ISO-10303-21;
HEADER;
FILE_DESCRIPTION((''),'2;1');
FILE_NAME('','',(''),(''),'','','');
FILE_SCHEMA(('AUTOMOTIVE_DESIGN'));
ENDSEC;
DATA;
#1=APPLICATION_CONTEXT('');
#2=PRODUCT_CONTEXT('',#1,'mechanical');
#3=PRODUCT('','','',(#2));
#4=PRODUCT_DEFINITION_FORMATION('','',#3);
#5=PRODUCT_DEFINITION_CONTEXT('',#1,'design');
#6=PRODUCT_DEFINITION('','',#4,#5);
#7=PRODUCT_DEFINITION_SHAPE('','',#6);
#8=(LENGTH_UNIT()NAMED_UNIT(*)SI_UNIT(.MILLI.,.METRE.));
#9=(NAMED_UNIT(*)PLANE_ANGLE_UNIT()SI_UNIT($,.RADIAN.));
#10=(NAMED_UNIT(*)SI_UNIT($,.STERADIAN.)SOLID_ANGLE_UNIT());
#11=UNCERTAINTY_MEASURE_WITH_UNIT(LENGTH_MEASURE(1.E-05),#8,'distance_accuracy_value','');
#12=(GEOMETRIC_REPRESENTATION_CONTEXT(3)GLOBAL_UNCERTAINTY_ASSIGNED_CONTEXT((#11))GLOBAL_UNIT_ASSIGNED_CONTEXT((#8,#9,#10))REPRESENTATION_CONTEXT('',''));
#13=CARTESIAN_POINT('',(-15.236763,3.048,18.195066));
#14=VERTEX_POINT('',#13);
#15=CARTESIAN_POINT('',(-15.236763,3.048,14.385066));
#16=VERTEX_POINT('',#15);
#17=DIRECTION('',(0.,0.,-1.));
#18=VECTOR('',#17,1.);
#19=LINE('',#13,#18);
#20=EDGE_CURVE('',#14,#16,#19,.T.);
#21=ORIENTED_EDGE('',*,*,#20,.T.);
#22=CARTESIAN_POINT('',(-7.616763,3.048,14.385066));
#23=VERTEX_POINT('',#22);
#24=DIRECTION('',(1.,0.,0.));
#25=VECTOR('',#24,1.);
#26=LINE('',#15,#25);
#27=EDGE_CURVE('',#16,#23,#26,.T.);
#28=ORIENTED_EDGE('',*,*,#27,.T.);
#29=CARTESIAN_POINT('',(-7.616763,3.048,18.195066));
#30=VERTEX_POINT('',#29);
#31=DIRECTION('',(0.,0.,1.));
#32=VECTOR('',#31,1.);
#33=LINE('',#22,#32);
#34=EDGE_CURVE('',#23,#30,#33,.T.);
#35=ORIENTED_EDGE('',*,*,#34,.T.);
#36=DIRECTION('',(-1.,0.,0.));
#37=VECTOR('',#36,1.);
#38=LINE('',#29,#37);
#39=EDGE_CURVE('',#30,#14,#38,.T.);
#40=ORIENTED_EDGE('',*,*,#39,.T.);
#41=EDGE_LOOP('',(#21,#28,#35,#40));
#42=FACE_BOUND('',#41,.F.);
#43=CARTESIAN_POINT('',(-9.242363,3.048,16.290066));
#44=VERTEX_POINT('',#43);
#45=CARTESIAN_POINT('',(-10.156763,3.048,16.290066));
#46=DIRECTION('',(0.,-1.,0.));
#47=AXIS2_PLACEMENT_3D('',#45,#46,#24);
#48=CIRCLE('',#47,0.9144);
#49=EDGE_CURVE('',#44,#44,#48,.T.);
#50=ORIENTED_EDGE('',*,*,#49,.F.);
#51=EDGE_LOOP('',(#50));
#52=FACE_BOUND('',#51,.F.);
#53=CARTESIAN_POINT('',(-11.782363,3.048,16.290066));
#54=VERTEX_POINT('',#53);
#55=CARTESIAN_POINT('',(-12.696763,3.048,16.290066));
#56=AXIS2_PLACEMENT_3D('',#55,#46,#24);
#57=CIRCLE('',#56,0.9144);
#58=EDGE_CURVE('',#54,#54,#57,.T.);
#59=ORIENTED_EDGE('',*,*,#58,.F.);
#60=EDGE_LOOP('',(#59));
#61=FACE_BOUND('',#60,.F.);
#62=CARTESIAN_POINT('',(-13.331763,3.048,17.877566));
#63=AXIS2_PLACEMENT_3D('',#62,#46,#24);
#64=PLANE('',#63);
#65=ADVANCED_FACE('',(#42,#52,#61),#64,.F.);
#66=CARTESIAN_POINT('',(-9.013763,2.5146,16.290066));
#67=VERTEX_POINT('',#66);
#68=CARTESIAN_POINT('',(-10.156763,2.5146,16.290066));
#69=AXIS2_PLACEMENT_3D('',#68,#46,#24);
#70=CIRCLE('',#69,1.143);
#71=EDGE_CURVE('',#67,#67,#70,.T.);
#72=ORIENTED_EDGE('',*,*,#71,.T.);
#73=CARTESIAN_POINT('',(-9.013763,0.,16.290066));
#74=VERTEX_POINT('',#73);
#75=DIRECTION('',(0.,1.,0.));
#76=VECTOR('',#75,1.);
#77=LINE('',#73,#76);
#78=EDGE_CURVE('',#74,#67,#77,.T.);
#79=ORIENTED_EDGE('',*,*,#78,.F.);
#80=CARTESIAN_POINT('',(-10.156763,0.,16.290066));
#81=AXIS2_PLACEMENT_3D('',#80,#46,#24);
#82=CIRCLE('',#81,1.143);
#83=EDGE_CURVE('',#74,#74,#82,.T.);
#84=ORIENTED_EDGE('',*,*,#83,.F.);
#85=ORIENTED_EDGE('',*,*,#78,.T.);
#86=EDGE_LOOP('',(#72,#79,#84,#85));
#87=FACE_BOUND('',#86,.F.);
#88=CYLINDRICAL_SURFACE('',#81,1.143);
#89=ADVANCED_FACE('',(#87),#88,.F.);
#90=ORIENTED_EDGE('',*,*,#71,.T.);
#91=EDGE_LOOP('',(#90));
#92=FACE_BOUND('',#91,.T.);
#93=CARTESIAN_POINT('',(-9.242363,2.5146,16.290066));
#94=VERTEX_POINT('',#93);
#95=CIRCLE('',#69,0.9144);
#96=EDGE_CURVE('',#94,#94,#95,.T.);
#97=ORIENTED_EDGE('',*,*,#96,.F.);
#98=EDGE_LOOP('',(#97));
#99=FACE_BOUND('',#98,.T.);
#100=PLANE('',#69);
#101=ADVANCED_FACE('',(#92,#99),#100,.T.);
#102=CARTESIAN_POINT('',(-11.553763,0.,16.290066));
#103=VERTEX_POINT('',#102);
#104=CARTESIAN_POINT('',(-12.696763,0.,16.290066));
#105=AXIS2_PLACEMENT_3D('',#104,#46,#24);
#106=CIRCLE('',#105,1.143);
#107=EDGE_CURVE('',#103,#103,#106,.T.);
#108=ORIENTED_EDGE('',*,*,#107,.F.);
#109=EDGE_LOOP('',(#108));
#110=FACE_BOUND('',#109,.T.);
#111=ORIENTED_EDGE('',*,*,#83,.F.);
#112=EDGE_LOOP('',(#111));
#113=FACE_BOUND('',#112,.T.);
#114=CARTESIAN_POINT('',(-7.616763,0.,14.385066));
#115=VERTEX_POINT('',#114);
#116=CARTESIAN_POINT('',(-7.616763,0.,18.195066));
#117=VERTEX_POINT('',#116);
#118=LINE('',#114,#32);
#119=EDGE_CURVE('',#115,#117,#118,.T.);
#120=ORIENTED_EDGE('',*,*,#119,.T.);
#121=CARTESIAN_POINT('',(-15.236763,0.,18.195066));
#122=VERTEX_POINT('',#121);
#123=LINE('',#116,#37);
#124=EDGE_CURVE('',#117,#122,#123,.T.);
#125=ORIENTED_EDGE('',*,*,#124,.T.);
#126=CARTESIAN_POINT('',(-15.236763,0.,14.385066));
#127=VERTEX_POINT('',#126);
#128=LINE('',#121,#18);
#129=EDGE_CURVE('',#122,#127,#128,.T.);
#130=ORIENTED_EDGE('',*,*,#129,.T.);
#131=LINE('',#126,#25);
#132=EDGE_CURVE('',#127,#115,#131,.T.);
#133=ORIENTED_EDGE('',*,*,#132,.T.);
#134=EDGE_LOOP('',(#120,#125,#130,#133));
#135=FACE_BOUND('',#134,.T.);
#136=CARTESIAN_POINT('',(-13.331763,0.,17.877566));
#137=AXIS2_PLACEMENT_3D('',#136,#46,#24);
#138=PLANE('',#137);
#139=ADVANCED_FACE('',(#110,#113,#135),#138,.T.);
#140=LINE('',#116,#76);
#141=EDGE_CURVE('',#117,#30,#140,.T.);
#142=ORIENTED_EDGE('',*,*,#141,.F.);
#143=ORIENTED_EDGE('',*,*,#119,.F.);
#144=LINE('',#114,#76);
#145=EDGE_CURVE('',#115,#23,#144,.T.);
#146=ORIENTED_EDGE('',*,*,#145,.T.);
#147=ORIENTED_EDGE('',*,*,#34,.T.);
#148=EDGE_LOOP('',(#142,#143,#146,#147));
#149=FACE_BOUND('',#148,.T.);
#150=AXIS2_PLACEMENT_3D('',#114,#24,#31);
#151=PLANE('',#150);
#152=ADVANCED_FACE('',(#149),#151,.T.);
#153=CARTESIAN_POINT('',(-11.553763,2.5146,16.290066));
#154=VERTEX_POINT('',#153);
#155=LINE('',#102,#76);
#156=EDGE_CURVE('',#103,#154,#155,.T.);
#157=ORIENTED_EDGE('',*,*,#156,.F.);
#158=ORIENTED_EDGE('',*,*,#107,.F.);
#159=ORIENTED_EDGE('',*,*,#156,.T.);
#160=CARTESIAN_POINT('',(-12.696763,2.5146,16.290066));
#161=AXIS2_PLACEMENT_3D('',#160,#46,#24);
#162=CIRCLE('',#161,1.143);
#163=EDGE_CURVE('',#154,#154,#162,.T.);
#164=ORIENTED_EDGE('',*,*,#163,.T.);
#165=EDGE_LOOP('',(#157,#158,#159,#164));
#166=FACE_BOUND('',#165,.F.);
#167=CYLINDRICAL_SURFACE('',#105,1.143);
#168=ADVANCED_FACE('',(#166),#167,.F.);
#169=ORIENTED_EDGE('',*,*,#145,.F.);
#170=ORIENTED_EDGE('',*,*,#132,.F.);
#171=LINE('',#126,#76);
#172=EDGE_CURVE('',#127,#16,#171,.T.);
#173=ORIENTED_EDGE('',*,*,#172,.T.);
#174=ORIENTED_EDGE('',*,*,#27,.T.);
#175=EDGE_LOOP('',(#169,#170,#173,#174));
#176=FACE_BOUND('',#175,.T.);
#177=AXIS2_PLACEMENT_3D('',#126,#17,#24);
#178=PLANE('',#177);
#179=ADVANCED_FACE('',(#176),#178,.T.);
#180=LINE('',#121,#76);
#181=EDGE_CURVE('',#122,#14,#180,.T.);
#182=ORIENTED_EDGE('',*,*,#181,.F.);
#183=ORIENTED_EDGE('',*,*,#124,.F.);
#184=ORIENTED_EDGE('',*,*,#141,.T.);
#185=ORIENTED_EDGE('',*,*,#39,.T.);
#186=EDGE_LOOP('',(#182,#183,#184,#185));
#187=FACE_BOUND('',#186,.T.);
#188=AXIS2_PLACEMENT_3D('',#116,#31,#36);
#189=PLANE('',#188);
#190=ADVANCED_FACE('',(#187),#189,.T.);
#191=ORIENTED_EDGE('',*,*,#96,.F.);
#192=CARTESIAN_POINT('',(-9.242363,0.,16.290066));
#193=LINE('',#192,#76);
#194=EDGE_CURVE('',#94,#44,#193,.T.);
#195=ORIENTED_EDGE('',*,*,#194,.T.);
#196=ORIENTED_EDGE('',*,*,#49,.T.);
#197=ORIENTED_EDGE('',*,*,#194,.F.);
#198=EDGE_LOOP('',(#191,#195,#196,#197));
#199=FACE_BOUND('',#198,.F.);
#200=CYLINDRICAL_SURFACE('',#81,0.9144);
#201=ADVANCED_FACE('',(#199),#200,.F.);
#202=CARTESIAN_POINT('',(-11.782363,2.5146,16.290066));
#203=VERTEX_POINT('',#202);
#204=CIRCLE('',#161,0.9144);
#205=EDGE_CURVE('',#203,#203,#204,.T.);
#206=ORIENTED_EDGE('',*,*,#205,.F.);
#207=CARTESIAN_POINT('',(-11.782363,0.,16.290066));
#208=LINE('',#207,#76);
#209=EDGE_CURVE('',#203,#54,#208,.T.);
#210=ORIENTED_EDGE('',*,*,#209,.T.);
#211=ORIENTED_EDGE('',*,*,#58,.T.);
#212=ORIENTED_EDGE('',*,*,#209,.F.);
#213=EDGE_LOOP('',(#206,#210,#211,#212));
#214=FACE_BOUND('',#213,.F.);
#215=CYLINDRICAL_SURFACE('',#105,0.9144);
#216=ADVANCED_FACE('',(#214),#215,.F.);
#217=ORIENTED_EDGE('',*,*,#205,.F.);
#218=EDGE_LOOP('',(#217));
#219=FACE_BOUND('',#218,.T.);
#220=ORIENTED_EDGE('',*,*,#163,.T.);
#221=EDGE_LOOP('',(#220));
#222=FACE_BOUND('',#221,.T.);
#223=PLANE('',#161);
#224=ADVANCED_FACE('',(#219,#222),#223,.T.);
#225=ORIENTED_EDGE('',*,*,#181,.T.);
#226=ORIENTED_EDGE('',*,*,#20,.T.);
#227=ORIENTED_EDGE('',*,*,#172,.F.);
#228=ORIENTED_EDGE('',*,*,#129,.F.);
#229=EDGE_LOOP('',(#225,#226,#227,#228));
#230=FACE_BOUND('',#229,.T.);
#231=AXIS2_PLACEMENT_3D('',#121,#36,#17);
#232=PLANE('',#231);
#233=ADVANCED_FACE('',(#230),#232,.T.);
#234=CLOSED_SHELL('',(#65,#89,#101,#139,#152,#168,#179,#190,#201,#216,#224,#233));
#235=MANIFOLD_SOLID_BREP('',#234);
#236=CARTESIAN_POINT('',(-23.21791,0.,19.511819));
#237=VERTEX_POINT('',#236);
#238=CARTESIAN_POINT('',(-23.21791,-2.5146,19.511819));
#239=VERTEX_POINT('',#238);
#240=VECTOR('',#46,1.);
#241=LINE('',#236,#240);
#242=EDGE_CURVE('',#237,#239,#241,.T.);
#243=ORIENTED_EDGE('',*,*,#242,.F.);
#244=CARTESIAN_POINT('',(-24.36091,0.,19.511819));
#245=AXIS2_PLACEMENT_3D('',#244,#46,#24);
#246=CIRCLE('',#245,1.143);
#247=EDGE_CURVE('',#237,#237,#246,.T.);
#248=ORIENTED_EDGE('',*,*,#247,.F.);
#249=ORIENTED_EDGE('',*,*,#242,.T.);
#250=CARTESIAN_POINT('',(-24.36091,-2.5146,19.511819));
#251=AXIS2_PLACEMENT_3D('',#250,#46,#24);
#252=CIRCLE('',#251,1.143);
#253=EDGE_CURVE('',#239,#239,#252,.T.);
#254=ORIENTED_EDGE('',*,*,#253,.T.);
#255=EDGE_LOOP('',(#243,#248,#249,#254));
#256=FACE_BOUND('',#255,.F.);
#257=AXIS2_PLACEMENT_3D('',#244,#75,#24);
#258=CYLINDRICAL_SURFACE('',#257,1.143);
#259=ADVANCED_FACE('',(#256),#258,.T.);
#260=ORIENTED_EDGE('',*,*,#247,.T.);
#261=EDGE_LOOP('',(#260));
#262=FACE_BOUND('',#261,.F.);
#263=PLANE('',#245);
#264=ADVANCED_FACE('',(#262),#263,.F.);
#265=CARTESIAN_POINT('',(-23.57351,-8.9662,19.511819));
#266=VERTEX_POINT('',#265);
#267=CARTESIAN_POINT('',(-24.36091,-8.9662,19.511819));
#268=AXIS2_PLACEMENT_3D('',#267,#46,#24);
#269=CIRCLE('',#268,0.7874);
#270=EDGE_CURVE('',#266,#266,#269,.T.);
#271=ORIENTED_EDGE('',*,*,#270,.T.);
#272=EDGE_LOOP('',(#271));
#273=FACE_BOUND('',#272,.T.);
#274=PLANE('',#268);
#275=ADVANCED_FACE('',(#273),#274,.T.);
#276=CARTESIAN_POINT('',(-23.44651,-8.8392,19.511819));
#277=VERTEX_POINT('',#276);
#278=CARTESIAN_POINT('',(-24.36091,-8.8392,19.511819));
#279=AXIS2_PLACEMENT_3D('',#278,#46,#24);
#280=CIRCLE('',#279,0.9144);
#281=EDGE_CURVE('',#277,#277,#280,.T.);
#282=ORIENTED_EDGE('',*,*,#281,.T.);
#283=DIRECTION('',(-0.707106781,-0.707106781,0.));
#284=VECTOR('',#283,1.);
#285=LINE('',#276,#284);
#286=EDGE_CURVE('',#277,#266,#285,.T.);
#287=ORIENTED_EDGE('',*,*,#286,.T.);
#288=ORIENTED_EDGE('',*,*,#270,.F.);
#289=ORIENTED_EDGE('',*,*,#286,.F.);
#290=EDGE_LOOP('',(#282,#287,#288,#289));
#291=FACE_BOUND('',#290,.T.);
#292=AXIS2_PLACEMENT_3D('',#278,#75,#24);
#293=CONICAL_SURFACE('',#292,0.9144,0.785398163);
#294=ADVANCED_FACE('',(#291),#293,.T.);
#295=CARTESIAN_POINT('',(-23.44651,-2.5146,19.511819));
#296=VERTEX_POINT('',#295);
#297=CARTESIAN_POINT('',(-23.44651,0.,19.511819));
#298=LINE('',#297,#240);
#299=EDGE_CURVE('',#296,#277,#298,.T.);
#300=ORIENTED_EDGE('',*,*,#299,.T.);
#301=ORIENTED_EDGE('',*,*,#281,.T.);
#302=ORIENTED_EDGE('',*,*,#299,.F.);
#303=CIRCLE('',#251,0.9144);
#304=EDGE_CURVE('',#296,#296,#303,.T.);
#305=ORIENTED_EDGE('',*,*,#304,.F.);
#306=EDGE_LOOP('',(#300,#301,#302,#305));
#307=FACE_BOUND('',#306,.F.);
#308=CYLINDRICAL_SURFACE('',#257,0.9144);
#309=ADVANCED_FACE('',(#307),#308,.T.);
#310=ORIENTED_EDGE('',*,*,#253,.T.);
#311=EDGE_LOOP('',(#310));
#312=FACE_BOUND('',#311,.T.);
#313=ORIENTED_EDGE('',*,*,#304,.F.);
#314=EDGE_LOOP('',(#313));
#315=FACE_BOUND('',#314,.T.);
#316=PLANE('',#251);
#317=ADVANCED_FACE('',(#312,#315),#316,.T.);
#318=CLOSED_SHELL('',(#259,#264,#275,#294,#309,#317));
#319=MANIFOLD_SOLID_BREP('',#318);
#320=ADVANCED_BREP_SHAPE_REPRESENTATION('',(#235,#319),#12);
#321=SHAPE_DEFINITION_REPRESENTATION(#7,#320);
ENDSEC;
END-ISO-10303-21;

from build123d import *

# Parameters (mm, degrees)
F0_R     = 0.9144
F1_DEPTH = 8.9662
F0_R_2   = 1.143
F2_DEPTH = 2.5146
F3_SIZE  = 0.127
F4_W     = 3.81
F4_H     = 0.635
F4_H_2   = 2.54
F4_R     = 1.143
F4_R_2   = 0.9144
F5_DEPTH = 3.048
F6_DEPTH = 2.5146
F7_DEPTH = 3.048


with BuildPart() as f1:
    # F0 (on Front) → F1 (new body)
    with BuildSketch(Plane.XZ):
        with Locations((-24.36091, 19.511819)):
            Circle(F0_R)
    extrude(amount=F1_DEPTH)

    # F0 (on Front) → F2 (join)
    with BuildSketch(Plane.XZ):
        with Locations((-24.36091, 19.511819)):
            Circle(F0_R_2)
        with Locations((-24.36091, 19.511819)):
            Circle(F0_R, mode=Mode.SUBTRACT)
    extrude(amount=F2_DEPTH)

    # F3
    f3_edges = [f1.edges().sort_by_distance(p)[0] for p in [
        (-25.27531, -8.9662, 19.511819),
    ]]
    chamfer(f3_edges, length=F3_SIZE)


with BuildPart() as f5:
    # F4 (on Front) → F5 (new body)
    with BuildSketch(Plane.XZ):
        with Locations((-13.331763, 17.877566)):
            Rectangle(F4_W, F4_H)
        with Locations((-9.521763, 17.877566)):
            Rectangle(F4_W, F4_H)
        with Locations((-9.521763, 16.290066)):
            Rectangle(F4_W, F4_H_2)
        with Locations((-10.156763, 16.290066)):
            Circle(F4_R, mode=Mode.SUBTRACT)
        with Locations((-13.331763, 16.290066)):
            Rectangle(F4_W, F4_H_2)
        with Locations((-12.696763, 16.290066)):
            Circle(F4_R, mode=Mode.SUBTRACT)
        with Locations((-12.696763, 16.290066)):
            Circle(F4_R)
        with Locations((-12.696763, 16.290066)):
            Circle(F4_R_2, mode=Mode.SUBTRACT)
        with Locations((-12.696763, 16.290066)):
            Circle(F4_R_2)
        with Locations((-10.156763, 16.290066)):
            Circle(F4_R_2)
        with Locations((-10.156763, 16.290066)):
            Circle(F4_R)
        with Locations((-10.156763, 16.290066)):
            Circle(F4_R_2, mode=Mode.SUBTRACT)
        with Locations((-13.331763, 14.702566)):
            Rectangle(F4_W, F4_H)
        with Locations((-9.521763, 14.702566)):
            Rectangle(F4_W, F4_H)
    extrude(amount=-F5_DEPTH)

    # F4 (on Front) → F6 (cut)
    with BuildSketch(Plane.XZ):
        with Locations((-12.696763, 16.290066)):
            Circle(F4_R)
        with Locations((-12.696763, 16.290066)):
            Circle(F4_R_2, mode=Mode.SUBTRACT)
        with Locations((-10.156763, 16.290066)):
            Circle(F4_R)
        with Locations((-10.156763, 16.290066)):
            Circle(F4_R_2, mode=Mode.SUBTRACT)
    extrude(amount=-F6_DEPTH, mode=Mode.SUBTRACT)

    # F4 (on Front) → F7 (cut)
    with BuildSketch(Plane.XZ):
        with Locations((-12.696763, 16.290066)):
            Circle(F4_R_2)
        with Locations((-10.156763, 16.290066)):
            Circle(F4_R_2)
    extrude(amount=-F7_DEPTH, mode=Mode.SUBTRACT)


solid = Compound([f1.part, f5.part])
